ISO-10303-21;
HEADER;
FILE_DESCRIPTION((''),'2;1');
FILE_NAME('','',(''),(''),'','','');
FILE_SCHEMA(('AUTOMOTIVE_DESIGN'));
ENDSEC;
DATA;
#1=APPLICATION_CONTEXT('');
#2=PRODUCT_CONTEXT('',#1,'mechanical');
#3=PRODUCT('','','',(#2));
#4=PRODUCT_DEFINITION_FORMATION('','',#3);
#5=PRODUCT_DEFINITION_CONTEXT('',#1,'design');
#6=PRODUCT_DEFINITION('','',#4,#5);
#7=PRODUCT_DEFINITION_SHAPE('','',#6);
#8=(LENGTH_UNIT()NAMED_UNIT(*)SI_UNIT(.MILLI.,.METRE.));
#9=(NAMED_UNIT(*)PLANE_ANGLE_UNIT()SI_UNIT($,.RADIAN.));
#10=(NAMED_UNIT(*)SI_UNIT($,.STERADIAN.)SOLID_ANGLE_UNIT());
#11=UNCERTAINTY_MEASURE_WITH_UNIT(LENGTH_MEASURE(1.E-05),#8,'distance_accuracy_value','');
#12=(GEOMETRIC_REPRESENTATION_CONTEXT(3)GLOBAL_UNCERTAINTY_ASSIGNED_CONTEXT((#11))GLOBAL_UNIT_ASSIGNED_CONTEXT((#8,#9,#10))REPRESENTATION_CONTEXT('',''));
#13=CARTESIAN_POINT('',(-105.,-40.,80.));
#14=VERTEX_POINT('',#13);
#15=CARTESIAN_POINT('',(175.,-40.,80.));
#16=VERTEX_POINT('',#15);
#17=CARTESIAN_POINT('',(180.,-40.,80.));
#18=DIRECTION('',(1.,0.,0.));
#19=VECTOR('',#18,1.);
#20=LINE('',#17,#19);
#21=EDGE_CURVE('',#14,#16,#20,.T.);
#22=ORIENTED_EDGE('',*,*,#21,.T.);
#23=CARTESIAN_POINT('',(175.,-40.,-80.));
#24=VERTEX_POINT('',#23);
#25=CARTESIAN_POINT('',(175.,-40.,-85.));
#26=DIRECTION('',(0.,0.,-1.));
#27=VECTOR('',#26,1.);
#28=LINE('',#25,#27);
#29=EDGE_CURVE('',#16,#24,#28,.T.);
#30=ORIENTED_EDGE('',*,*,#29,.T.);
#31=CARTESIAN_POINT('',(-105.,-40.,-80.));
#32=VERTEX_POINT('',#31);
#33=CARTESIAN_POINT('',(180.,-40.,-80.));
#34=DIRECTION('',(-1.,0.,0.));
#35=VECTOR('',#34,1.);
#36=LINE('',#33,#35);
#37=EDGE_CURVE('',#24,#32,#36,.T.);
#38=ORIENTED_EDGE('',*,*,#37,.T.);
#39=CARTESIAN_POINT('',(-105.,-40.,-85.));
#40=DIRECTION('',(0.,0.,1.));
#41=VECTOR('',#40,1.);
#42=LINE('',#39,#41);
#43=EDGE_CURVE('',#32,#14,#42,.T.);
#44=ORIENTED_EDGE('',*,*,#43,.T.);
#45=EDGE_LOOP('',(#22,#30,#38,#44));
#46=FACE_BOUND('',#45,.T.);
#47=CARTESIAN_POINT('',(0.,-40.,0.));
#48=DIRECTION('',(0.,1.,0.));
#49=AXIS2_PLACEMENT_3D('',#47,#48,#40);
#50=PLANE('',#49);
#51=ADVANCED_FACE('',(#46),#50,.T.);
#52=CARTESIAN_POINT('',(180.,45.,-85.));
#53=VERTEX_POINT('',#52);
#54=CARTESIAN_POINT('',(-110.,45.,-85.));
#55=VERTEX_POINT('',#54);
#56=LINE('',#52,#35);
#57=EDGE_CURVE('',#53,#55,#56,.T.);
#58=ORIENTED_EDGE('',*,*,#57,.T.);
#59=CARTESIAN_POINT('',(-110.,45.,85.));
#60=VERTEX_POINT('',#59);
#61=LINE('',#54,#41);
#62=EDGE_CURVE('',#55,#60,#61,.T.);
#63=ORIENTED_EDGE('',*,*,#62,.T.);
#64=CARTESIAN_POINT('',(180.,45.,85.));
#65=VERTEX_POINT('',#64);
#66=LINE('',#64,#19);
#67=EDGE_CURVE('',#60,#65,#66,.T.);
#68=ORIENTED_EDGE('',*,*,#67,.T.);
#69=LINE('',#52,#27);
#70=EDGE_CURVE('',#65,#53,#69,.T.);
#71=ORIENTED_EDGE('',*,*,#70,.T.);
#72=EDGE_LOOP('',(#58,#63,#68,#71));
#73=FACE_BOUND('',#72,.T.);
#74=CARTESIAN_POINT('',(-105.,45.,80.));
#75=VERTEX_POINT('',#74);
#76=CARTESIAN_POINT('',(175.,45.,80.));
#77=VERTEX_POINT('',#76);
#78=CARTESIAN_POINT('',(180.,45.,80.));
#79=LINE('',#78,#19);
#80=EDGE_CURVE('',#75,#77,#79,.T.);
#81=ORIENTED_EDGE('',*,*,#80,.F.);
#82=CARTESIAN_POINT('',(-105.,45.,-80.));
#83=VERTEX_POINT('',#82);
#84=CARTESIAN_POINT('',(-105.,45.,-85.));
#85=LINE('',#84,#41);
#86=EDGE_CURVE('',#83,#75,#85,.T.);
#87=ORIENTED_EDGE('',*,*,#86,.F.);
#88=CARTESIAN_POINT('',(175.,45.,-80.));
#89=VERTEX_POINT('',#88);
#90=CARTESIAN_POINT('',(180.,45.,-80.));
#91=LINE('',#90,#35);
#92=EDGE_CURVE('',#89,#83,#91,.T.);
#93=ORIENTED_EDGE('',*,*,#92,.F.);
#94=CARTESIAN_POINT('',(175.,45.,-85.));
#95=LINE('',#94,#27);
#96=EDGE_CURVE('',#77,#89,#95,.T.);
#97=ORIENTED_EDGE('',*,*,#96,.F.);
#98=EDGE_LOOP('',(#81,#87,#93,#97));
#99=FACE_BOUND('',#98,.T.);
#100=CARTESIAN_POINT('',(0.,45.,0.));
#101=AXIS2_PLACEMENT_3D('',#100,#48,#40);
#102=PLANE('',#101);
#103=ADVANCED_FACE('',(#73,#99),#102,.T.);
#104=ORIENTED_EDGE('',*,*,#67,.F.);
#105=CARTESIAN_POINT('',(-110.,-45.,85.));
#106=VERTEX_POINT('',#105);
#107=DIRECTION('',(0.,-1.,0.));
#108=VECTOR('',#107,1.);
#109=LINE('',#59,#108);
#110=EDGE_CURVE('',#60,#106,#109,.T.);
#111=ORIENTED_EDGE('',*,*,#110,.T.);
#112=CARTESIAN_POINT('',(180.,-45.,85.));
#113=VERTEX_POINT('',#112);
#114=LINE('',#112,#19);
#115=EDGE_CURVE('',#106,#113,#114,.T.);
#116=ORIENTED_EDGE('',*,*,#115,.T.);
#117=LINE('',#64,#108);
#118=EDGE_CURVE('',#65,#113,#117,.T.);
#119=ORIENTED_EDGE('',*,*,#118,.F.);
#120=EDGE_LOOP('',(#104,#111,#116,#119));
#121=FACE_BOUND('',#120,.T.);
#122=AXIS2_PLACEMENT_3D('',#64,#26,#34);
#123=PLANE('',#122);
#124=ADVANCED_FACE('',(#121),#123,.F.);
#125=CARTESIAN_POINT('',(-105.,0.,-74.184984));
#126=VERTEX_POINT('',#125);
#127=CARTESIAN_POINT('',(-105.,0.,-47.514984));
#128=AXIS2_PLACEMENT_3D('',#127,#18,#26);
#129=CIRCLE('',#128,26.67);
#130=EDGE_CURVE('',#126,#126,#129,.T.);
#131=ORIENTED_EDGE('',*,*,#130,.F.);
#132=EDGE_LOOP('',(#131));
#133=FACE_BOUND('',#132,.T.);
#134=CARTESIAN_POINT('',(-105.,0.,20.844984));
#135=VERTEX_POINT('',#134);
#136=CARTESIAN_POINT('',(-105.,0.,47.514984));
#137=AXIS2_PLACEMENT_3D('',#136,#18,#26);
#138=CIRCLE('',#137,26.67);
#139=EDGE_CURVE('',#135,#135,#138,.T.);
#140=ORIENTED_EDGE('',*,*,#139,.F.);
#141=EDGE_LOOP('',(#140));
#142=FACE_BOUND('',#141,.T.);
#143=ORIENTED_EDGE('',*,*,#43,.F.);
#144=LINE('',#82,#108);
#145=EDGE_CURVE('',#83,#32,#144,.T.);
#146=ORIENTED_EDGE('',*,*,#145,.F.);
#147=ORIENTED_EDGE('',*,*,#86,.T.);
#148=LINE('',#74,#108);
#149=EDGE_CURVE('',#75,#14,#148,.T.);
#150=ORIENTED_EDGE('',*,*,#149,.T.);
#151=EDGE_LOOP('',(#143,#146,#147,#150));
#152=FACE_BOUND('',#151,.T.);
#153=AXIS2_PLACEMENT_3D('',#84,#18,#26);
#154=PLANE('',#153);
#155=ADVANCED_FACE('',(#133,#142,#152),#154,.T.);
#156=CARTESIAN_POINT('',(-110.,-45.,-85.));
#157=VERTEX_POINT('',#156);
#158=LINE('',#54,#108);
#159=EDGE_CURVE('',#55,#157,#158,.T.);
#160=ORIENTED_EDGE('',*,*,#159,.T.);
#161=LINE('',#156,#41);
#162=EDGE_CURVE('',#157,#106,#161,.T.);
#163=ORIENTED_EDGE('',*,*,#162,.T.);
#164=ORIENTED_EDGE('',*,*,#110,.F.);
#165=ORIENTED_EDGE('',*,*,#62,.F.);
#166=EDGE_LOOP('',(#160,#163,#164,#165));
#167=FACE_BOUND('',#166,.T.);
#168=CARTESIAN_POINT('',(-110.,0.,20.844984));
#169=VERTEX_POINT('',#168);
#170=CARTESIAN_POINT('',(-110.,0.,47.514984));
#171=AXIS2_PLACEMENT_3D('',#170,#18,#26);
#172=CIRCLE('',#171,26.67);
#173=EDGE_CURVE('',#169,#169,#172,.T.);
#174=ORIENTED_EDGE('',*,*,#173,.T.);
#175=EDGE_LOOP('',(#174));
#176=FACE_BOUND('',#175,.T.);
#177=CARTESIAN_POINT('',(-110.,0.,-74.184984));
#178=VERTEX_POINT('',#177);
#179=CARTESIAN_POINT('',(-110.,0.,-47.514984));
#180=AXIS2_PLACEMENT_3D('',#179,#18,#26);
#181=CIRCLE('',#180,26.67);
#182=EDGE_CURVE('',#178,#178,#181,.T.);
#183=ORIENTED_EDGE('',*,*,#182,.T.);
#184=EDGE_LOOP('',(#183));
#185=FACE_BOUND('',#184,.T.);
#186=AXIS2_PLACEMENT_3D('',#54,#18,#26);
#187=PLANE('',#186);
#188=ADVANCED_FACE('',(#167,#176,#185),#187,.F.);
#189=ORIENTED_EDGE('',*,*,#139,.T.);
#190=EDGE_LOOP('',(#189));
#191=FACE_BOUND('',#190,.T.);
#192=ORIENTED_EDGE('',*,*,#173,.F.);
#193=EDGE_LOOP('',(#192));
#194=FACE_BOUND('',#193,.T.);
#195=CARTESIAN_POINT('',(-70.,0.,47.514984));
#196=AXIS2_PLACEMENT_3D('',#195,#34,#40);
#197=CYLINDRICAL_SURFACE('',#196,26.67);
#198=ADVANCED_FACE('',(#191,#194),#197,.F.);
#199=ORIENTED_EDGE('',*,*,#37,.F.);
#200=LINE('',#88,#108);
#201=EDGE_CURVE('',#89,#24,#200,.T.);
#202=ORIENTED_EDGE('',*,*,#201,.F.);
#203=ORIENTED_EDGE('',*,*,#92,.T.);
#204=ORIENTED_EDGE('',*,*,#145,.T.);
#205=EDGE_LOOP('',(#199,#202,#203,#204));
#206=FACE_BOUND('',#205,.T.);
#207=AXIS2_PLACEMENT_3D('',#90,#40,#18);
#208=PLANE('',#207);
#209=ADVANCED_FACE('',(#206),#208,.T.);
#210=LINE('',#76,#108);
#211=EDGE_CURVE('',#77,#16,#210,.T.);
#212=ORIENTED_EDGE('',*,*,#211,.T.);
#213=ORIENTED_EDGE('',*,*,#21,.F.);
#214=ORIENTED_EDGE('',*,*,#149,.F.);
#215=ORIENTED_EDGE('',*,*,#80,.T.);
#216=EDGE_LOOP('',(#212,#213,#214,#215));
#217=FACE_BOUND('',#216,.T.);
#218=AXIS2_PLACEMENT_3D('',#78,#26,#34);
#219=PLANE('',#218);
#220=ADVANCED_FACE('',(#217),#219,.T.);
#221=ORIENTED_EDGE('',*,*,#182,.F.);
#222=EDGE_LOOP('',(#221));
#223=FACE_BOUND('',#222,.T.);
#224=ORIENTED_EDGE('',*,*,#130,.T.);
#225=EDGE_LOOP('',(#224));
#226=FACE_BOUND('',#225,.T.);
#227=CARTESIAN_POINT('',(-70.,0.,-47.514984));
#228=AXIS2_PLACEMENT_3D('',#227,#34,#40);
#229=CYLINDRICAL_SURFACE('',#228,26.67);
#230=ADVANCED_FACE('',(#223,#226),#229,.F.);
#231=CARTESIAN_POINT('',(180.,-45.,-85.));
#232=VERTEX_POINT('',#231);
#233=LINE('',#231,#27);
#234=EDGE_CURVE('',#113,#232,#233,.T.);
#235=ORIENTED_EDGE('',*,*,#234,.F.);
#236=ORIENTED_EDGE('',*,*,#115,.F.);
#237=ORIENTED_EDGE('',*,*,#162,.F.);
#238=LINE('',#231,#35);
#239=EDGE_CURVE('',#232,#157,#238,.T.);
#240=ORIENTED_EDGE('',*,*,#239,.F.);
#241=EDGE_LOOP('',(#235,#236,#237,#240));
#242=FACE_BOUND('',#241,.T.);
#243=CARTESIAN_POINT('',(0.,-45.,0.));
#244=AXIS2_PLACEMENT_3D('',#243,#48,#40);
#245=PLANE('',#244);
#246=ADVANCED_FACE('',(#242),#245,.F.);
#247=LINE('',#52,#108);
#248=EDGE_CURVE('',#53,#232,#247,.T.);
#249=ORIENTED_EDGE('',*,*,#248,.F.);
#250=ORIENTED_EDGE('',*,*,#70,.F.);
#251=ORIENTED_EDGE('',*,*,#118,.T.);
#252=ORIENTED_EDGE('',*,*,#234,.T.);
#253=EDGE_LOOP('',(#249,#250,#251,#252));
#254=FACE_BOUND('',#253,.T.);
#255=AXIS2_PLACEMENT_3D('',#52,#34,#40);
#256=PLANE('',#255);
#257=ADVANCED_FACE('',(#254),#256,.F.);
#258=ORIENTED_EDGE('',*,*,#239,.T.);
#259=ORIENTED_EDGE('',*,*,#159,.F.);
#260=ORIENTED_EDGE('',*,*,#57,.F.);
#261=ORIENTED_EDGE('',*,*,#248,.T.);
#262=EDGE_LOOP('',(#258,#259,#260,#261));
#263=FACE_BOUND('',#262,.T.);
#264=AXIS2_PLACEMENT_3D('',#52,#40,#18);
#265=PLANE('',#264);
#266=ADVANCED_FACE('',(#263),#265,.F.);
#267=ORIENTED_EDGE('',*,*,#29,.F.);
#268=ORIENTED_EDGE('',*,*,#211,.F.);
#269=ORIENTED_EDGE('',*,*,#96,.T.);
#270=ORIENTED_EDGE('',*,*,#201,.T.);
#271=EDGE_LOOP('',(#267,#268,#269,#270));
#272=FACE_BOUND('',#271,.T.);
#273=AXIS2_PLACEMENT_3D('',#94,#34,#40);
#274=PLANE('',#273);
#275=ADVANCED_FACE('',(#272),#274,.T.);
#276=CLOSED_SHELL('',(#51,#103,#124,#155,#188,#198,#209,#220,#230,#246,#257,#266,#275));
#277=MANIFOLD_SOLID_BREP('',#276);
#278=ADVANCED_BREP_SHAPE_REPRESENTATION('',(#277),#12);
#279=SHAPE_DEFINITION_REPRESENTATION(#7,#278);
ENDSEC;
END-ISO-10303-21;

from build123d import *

# Parameters (mm, degrees)
SKETCH4_W           = 290
SKETCH4_H           = 170
BOSS_EXTRUDE1_DEPTH = 45
SHELL1_T            = -5
SKETCH5_R           = 26.67
CUT_EXTRUDE1_DEPTH  = 40


with BuildPart() as part:
    # Sketch4 → Boss-Extrude1 (new body, symmetric)
    with BuildSketch(Plane(origin=(0, 0, 0), x_dir=(1, 0, 0), z_dir=(0, 1, 0))):
        with Locations((35, 0)):
            Rectangle(SKETCH4_W, SKETCH4_H)
    extrude(amount=BOSS_EXTRUDE1_DEPTH, both=True)

    # Shell1
    shell1_openings = [part.faces().sort_by_distance(p)[0] for p in [
        (35, 45, 0),
    ]]
    offset(amount=SHELL1_T, openings=shell1_openings, kind=Kind.INTERSECTION)

    # Sketch5 → Cut-Extrude1 (cut, symmetric)
    with BuildSketch(Plane.ZY.offset(110)):
        with Locations((-47.514984282, 0)):
            Circle(SKETCH5_R)
        with Locations((47.514984282, 0)):
            Circle(SKETCH5_R)
    extrude(amount=CUT_EXTRUDE1_DEPTH, both=True, mode=Mode.SUBTRACT)


solid = part.part
